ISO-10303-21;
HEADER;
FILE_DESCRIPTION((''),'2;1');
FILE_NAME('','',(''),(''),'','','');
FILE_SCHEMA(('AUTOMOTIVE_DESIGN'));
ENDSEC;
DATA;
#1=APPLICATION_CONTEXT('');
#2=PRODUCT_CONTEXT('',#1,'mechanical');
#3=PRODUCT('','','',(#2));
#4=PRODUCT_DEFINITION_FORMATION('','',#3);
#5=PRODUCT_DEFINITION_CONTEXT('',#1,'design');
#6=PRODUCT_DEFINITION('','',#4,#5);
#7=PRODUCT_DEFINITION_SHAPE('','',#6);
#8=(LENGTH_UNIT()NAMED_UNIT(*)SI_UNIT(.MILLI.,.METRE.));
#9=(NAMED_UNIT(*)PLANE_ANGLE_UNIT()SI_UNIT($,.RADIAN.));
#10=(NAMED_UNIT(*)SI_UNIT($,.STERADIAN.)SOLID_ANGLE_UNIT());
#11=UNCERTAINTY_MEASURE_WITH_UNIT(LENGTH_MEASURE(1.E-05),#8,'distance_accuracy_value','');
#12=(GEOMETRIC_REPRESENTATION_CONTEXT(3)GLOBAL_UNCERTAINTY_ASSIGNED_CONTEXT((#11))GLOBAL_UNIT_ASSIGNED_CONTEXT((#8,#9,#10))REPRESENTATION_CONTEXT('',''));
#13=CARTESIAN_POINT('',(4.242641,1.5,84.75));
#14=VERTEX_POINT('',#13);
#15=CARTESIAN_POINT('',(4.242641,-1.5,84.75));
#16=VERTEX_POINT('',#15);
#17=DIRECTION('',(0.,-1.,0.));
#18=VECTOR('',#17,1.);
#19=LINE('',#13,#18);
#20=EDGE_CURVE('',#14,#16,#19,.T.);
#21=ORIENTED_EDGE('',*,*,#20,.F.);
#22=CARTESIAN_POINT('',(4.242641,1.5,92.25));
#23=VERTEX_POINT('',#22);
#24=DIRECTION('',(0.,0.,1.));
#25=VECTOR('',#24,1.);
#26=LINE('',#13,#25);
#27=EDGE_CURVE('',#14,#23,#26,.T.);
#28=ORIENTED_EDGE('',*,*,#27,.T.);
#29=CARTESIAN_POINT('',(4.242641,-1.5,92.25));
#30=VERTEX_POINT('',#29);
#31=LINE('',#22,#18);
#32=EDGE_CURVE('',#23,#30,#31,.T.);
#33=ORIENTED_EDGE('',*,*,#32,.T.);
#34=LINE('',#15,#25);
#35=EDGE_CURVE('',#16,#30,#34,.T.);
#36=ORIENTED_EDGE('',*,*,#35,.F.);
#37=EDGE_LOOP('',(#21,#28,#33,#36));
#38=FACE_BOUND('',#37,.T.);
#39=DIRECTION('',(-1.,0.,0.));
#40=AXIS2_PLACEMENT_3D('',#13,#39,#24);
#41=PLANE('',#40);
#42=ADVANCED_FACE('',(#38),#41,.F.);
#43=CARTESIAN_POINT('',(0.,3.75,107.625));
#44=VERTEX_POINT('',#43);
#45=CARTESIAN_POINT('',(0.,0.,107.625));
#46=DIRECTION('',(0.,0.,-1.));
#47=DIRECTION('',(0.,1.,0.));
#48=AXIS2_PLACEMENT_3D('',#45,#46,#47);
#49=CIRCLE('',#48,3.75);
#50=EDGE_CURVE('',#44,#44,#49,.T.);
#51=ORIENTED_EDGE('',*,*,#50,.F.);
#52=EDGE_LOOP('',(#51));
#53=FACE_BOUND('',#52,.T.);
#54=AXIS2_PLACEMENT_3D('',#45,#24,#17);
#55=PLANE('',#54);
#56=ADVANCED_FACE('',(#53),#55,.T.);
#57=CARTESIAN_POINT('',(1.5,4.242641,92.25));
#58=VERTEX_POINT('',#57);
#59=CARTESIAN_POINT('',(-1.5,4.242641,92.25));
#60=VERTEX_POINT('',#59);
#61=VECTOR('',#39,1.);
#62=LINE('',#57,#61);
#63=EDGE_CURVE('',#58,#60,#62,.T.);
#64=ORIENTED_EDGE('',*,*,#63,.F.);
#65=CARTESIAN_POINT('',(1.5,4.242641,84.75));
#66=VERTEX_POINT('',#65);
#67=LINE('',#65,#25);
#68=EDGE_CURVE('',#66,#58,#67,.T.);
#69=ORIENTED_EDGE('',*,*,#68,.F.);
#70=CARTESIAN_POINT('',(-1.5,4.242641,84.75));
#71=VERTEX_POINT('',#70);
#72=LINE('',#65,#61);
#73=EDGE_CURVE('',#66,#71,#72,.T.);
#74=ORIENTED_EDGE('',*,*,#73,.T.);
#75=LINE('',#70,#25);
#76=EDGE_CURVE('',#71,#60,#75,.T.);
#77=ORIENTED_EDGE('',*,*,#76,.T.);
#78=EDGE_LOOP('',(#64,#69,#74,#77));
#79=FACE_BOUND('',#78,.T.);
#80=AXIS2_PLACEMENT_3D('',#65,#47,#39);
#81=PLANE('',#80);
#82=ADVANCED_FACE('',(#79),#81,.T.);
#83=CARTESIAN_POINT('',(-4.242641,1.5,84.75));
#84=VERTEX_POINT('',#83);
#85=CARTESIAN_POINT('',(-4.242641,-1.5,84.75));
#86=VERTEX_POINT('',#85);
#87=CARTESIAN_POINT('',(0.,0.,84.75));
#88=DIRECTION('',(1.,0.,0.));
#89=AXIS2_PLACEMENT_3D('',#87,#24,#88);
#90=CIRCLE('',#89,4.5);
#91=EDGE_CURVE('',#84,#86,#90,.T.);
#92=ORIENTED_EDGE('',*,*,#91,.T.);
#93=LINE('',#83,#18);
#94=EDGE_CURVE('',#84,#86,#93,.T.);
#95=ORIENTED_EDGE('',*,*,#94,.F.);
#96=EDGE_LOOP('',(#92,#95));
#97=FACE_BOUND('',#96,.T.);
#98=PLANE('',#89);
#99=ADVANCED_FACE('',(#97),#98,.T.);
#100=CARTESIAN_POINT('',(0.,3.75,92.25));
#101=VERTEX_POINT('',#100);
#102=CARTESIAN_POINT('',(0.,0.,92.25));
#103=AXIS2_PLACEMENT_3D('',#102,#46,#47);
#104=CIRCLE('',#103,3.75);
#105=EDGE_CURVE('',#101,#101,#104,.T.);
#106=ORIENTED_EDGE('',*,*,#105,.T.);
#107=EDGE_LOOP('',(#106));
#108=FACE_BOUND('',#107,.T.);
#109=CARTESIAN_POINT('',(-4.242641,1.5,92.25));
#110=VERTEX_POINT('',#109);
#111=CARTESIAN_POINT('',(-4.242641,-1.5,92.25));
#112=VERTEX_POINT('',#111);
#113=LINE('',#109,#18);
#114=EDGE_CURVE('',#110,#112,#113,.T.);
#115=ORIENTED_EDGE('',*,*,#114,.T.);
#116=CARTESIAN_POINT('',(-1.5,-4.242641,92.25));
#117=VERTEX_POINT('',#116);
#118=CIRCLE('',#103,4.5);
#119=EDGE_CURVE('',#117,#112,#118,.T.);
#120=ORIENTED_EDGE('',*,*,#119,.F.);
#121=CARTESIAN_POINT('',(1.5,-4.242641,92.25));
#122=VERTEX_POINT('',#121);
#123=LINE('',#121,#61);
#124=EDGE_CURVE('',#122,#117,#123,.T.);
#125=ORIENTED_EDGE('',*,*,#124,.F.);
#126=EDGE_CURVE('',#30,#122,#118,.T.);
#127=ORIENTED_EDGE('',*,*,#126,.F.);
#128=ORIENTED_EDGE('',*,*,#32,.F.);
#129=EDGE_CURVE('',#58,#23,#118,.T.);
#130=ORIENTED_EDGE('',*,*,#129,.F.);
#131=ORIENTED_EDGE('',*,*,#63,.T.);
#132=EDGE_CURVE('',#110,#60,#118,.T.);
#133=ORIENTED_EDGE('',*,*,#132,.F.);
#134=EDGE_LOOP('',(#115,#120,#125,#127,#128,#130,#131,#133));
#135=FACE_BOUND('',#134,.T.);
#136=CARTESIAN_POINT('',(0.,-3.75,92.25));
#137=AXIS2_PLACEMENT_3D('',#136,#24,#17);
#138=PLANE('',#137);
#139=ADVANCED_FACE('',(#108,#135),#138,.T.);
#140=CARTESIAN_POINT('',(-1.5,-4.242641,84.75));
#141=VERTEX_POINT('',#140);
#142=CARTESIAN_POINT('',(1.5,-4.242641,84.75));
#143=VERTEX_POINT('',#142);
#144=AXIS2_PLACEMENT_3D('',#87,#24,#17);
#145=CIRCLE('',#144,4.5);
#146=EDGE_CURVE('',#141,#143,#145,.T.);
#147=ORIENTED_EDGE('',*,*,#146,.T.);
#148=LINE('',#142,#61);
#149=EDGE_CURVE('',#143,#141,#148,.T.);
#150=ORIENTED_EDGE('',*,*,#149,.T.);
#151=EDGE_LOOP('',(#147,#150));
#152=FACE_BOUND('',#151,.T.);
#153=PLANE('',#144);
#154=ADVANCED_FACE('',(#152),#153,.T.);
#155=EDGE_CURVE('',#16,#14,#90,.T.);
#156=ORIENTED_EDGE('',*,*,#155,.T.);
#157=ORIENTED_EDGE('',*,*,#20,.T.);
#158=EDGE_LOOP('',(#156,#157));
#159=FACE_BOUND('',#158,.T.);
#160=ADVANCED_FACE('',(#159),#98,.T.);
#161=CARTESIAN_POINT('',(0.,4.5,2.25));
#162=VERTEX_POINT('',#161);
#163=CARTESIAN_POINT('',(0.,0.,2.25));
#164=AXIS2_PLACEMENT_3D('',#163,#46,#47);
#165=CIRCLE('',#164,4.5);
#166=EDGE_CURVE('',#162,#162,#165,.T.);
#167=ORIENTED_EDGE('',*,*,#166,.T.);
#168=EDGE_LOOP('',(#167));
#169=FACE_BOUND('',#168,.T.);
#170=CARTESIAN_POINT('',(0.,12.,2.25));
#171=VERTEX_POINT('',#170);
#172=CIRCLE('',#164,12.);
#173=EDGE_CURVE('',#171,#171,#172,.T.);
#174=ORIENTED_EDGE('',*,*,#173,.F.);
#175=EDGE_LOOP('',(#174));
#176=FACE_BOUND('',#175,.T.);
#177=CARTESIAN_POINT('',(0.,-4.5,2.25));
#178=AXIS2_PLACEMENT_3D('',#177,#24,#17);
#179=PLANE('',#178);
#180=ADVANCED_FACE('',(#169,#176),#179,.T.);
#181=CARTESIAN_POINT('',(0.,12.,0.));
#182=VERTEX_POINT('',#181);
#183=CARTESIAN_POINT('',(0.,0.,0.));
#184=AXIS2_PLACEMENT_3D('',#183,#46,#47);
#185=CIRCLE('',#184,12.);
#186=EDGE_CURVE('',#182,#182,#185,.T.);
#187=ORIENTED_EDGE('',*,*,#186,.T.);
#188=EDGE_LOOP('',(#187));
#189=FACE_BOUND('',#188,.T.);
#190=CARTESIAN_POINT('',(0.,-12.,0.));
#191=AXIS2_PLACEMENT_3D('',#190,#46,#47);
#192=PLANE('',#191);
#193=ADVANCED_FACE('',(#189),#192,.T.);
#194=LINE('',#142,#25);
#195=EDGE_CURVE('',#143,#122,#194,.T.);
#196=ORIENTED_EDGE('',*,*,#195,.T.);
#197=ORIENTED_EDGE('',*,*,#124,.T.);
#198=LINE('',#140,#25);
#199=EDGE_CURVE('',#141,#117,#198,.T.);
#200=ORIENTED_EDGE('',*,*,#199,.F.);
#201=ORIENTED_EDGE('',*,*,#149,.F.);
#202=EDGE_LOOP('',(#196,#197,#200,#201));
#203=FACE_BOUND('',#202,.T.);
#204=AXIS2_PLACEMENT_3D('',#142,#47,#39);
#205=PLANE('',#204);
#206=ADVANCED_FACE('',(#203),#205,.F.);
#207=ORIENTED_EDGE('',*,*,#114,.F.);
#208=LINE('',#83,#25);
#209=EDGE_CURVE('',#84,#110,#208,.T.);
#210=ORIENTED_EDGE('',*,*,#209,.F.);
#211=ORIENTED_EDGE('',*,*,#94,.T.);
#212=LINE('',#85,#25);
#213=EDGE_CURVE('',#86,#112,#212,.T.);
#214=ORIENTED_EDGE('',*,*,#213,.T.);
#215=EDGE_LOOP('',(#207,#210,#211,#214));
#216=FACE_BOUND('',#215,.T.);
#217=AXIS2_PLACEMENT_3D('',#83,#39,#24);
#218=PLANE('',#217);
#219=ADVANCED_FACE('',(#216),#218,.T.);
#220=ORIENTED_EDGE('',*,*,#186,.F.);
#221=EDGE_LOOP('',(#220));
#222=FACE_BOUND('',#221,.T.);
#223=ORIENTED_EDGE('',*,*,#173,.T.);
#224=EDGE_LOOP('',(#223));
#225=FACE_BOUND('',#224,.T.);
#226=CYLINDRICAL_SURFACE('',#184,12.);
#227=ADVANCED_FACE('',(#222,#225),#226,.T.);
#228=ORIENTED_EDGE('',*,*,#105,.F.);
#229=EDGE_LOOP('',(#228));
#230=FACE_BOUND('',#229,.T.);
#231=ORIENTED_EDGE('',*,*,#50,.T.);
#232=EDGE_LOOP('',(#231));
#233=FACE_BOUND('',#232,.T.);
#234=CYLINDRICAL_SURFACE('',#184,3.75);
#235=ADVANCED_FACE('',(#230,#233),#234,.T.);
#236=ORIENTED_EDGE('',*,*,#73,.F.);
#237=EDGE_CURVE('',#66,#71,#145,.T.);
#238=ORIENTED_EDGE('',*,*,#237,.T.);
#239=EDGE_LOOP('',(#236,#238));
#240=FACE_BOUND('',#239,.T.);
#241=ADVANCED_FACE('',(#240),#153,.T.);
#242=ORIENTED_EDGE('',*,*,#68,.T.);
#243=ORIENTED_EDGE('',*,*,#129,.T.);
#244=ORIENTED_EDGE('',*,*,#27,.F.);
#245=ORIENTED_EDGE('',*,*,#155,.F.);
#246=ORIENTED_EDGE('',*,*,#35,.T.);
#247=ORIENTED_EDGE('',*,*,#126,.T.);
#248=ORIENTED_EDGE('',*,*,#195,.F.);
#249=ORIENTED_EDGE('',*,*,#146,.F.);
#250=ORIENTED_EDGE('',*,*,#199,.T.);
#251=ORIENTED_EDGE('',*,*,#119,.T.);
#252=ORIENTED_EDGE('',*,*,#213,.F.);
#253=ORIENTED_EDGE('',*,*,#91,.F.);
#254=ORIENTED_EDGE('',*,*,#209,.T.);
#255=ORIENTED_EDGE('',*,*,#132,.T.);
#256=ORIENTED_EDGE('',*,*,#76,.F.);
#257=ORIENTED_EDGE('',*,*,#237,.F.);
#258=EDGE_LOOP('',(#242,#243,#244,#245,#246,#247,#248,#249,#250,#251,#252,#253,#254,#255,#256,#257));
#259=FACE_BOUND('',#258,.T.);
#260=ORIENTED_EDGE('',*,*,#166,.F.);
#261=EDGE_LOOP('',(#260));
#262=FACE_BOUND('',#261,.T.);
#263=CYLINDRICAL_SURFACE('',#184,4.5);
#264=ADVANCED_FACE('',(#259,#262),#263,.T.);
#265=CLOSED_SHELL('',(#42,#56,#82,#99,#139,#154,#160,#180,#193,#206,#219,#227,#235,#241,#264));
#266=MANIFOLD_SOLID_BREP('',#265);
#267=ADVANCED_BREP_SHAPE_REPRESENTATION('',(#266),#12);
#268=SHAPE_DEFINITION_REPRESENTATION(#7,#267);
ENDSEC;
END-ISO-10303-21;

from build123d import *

# Parameters (mm, degrees)
CUT_EXTRUDE_START        = -10
CUT_EXTRUDE_1_DEPTH      = 10
PATTERN_CIRCULAR_1_COUNT = 4
SCALE_1_SCALE            = 0.75


with BuildPart() as part:
    # 草图2 → 旋转1 (revolve)
    with BuildSketch(Plane(origin=(0, 0, 0), x_dir=(0, 0, -1), z_dir=(1, 0, 0))):
        Polygon((0, 0), (-143.5, 0), (-143.5, 5), (-123, 5), (-123, 6), (-3, 6), (-3, 16), (0, 16), align=None)
    revolve(axis=Axis((0, 0, 0), (0, 0, 1)))

    # 草图7 → 切除-拉伸1 (cut)
    with BuildSketch(Plane.XY.offset(123).offset(CUT_EXTRUDE_START)):
        with BuildLine():
            Line((5.656854249, 2), (5.656854249, -2))
            ThreePointArc((5.656854249, -2), (6, 0), (5.656854249, 2))
        make_face()
        with BuildLine():
            Line((-5.656854249, 2), (-5.656854249, -2))
            ThreePointArc((-5.656854249, -2), (-6, 0), (-5.656854249, 2))
        make_face()
    cut_extrude_1 = extrude(amount=CUT_EXTRUDE_1_DEPTH, mode=Mode.SUBTRACT)

    # 阵列(圆周)1: 切除-拉伸1 ×4 about axis
    pattern_circular_1_axis = Axis((0, 0, 0), (0, 0, -1))
    for i in range(1, PATTERN_CIRCULAR_1_COUNT):
        add(cut_extrude_1.rotate(pattern_circular_1_axis, i * 360 / PATTERN_CIRCULAR_1_COUNT), mode=Mode.SUBTRACT)


with BuildPart() as part_1:
    # 缩放比例1: scaled about (0, 0, 0)
    add(part.part.scale(SCALE_1_SCALE))


solid = part_1.part
